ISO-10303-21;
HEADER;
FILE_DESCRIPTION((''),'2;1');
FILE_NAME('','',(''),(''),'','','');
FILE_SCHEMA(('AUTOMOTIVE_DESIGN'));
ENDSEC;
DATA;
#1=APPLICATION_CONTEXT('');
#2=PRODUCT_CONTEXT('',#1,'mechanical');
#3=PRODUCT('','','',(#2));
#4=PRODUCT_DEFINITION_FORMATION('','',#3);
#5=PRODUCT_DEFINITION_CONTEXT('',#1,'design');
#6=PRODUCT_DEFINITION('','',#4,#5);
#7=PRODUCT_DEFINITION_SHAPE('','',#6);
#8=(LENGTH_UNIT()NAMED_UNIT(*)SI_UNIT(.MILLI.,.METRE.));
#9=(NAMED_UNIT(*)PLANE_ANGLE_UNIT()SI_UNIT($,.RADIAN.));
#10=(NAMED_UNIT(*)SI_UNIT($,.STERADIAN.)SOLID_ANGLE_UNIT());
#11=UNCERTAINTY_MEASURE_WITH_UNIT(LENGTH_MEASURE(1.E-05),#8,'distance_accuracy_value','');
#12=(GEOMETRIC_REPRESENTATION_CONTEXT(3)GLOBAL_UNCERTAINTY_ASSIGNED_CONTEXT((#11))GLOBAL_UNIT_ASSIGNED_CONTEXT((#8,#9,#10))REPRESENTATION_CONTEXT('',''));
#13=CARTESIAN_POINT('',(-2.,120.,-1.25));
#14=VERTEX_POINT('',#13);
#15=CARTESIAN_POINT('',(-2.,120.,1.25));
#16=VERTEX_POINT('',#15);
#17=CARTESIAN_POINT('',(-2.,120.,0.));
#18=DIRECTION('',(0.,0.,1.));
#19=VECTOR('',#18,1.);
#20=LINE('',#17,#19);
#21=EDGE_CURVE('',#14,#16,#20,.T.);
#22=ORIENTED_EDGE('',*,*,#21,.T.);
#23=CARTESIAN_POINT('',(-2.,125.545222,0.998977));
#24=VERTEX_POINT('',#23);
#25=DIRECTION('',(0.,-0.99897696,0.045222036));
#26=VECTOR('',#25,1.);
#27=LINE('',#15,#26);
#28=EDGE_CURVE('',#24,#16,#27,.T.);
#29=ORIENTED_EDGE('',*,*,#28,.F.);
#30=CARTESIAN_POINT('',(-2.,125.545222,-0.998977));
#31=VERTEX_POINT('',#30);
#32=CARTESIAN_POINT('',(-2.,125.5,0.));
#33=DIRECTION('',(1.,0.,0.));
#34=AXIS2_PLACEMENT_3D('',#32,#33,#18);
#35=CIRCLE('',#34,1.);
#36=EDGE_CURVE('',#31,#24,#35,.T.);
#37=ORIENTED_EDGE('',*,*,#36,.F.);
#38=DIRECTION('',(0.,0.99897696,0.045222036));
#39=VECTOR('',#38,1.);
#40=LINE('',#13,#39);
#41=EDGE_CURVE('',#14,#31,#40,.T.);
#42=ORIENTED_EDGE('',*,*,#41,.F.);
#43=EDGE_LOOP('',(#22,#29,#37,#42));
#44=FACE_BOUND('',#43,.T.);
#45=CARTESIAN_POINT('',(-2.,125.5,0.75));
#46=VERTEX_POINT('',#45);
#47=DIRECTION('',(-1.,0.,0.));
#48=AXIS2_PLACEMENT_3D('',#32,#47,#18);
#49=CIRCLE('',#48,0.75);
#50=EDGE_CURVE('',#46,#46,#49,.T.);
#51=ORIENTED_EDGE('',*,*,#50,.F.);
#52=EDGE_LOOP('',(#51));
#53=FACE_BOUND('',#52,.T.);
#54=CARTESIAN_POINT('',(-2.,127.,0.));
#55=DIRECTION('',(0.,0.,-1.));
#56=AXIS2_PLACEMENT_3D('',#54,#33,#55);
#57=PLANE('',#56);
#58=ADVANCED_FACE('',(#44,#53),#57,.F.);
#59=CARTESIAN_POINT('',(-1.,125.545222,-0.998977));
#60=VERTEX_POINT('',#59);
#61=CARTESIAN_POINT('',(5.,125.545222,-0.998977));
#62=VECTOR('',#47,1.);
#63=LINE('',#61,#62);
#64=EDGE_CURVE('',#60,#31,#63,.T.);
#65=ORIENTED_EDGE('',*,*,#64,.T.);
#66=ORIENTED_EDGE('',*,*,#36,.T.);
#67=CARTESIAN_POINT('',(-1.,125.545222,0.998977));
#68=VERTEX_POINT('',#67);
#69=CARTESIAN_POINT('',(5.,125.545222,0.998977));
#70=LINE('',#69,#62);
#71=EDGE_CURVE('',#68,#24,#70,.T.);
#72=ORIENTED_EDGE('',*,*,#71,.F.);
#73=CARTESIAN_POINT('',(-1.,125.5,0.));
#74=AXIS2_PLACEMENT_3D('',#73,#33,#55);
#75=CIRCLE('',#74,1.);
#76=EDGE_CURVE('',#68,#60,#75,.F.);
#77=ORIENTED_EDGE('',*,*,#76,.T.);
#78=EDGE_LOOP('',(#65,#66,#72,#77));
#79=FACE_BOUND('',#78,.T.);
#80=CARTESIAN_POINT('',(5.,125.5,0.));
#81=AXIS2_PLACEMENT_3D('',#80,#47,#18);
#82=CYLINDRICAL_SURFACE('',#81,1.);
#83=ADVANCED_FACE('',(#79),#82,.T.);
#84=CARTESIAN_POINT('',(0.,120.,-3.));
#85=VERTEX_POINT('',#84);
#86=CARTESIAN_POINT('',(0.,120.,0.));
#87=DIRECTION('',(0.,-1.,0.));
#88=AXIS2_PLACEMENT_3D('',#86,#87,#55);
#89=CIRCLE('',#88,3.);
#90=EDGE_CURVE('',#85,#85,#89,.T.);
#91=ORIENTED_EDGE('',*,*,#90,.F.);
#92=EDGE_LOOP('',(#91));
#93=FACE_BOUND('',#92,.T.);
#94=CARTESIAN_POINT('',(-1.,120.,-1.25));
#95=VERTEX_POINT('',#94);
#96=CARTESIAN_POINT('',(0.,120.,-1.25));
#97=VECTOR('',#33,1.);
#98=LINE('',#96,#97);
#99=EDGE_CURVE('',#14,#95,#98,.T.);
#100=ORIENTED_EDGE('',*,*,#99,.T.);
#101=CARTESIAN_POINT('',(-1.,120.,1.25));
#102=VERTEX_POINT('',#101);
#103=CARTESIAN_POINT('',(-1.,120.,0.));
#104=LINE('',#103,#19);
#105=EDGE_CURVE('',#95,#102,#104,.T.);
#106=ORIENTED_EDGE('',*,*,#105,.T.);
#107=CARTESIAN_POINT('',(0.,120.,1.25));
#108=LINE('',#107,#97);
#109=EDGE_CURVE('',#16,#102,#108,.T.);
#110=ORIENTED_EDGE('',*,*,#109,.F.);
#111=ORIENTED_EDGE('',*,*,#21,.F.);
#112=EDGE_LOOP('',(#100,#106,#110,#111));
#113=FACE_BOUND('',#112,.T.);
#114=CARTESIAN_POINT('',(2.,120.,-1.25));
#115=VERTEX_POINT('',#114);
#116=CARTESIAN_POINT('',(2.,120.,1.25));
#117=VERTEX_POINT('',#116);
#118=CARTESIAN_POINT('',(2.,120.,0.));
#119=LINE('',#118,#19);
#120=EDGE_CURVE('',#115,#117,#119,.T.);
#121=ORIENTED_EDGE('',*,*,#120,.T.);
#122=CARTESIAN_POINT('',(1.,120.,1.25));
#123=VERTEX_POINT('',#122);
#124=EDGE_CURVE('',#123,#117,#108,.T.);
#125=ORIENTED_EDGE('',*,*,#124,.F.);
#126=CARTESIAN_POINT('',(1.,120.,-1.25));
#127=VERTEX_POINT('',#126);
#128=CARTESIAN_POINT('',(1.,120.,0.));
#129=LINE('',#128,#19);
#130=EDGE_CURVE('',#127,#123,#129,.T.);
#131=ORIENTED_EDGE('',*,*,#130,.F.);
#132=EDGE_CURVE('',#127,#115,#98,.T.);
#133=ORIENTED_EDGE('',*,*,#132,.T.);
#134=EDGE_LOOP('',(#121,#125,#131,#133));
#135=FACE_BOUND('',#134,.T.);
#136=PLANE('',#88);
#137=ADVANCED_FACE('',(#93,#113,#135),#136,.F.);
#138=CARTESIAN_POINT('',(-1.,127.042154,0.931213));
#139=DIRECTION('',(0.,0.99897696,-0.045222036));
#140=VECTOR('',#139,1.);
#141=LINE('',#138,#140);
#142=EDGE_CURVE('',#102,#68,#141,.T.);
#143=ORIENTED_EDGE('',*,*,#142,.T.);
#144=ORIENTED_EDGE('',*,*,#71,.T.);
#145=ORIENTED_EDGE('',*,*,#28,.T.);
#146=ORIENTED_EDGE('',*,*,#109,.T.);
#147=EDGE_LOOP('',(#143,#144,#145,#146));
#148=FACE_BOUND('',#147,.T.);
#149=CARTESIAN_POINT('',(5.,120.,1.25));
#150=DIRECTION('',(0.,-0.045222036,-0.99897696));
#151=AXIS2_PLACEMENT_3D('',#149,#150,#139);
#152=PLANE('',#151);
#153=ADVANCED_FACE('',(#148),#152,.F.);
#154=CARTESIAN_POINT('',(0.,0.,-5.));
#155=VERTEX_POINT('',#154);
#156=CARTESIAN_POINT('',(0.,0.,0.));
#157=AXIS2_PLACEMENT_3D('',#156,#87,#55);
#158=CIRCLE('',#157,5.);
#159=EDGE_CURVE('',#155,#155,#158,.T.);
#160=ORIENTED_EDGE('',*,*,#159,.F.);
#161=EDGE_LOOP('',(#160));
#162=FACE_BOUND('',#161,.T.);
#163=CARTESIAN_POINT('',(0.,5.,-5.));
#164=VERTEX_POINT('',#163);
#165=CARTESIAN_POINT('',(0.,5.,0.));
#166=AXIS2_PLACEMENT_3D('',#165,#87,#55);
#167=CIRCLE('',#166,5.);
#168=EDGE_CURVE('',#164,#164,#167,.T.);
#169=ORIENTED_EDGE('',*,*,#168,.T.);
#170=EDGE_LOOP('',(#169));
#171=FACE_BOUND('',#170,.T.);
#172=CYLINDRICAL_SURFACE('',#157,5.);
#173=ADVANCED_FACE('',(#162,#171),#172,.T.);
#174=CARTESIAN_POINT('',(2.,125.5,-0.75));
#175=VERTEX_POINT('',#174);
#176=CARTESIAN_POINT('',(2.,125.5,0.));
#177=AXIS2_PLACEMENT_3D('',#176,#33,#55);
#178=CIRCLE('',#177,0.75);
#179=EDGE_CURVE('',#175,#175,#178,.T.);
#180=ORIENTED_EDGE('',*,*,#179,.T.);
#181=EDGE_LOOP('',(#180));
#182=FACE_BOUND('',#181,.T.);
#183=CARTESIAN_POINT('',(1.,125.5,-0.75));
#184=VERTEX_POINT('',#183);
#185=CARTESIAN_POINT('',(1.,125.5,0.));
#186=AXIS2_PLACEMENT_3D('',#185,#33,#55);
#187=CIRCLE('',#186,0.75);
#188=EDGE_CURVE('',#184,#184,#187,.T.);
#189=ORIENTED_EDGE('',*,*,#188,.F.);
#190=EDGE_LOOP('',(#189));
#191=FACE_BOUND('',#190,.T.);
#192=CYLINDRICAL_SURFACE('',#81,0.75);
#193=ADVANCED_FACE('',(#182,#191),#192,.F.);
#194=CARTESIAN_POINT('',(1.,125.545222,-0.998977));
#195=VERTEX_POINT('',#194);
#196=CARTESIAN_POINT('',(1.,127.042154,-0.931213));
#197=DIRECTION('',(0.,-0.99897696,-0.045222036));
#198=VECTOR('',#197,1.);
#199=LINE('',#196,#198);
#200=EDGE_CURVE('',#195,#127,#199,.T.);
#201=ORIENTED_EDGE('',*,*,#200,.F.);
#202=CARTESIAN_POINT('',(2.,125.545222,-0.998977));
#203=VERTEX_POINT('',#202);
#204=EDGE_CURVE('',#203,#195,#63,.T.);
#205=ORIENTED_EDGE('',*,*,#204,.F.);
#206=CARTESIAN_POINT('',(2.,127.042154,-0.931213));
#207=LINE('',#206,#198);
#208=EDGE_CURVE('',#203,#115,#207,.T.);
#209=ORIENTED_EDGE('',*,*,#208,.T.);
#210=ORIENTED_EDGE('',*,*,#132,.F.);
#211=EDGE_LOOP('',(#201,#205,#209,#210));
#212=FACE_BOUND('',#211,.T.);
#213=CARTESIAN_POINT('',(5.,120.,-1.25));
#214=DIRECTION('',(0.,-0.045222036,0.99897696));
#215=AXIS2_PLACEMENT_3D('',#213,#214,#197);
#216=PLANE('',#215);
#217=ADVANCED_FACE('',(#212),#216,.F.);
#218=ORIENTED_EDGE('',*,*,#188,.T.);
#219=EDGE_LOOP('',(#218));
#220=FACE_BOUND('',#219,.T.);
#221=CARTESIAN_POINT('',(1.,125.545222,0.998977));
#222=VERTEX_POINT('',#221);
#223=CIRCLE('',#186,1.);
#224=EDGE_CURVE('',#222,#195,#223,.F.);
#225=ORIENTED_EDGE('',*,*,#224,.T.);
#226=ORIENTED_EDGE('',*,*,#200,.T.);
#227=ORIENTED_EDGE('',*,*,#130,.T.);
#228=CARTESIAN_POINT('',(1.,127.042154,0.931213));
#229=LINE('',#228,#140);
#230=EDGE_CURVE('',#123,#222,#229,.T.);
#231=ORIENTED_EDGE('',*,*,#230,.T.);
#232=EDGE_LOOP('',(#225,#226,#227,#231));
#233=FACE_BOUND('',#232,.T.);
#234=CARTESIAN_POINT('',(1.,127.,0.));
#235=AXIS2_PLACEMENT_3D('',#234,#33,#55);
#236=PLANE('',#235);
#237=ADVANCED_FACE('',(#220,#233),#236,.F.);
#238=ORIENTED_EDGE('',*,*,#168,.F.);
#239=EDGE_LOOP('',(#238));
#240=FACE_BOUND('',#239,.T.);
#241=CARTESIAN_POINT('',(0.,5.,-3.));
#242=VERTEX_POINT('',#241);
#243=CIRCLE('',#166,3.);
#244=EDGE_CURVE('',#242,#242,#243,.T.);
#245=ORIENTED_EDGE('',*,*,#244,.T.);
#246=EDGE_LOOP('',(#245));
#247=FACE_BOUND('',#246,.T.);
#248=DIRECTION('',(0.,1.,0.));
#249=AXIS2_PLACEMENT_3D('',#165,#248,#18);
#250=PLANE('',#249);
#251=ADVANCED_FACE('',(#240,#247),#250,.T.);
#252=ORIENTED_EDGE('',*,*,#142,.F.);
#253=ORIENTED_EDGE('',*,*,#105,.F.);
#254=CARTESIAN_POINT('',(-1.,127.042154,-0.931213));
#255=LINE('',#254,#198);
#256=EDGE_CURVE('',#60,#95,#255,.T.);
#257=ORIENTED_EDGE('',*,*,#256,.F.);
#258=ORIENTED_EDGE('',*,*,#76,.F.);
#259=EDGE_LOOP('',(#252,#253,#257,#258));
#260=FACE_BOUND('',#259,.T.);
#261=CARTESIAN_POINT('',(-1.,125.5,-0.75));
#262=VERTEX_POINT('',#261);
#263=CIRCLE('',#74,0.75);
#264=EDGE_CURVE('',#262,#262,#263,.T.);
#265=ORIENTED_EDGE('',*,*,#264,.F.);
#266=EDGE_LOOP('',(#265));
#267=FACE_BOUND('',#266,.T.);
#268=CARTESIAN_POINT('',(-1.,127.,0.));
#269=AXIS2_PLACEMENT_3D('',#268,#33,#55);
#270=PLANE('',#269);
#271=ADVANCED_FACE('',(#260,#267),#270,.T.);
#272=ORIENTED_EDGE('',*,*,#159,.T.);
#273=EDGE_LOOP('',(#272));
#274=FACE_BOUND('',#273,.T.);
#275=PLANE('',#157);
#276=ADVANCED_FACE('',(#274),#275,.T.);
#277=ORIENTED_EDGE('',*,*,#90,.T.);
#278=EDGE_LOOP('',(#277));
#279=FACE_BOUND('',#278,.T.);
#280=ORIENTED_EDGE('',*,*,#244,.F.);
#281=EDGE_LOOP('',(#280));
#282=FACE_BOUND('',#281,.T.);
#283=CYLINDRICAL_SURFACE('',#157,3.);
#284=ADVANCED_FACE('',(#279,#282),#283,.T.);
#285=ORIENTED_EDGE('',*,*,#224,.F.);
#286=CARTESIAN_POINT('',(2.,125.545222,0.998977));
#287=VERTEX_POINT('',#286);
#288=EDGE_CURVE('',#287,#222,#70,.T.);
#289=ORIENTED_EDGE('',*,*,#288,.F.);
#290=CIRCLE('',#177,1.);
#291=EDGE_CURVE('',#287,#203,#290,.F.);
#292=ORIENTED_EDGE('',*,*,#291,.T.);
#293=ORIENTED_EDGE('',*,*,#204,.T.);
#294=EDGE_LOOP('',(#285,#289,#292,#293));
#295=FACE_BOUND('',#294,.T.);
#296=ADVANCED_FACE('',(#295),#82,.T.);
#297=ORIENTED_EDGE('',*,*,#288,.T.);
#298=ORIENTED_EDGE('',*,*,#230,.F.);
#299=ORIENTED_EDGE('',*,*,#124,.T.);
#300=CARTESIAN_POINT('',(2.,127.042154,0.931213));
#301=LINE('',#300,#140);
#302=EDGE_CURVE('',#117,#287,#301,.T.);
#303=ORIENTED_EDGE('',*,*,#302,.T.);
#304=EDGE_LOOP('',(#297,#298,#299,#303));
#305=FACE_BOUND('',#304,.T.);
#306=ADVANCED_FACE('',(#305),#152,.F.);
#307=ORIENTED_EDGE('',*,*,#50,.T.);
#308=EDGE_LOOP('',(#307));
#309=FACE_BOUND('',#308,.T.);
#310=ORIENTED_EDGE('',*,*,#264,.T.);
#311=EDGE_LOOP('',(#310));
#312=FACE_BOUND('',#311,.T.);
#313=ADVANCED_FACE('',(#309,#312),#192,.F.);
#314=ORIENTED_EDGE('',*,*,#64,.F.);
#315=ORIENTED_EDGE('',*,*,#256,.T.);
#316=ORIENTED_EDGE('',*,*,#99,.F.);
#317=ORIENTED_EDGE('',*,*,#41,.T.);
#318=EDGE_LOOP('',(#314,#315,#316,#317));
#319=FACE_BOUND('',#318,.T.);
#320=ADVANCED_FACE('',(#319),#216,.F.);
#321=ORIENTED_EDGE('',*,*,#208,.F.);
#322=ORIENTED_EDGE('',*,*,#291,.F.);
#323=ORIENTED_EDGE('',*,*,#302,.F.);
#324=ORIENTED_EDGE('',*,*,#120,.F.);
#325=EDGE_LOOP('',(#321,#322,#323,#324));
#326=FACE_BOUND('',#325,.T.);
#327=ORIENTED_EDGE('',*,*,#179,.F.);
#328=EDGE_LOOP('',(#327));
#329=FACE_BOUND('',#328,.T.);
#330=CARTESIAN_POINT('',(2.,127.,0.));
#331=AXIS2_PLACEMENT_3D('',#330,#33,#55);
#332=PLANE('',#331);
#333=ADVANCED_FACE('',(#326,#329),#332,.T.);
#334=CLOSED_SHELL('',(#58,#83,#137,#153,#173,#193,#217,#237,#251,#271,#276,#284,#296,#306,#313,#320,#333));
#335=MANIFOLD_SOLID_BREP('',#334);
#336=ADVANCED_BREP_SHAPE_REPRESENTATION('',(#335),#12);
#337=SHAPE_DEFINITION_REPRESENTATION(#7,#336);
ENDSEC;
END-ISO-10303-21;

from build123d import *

# Parameters (mm, degrees)
SKETCH1_W           = 3
SKETCH1_H           = 10
SKETCH2_W           = 1
SKETCH2_H           = 2.5
BOSS_EXTRUDE2_DEPTH = 7
SKETCH3_R           = 0.75
CUT_EXTRUDE1_DEPTH  = 7


with BuildPart() as part:
    # Sketch1 → Revolve1 (revolve)
    with BuildSketch(Plane.XY, mode=Mode.PRIVATE) as revolve1_sk:
        Polygon((3, 110), (0, 110), (0, 0), (5, 0), (5, 5), (3, 5), align=None)
        with Locations((1.5, 115)):
            Rectangle(SKETCH1_W, SKETCH1_H)
    revolve(revolve1_sk.sketch.rotate(Axis((0, 0, 0), (0, 1, 0)), 90), axis=Axis((0, 0, 0), (0, 1, 0)))

    # Sketch2 → Boss-Extrude2 (add)
    with BuildSketch(Plane(origin=(0, 120, 0), x_dir=(1, 0, 0), z_dir=(0, 1, 0))):
        with Locations((-1.5, 0)):
            Rectangle(SKETCH2_W, SKETCH2_H)
        with Locations((1.5, 0)):
            Rectangle(SKETCH2_W, SKETCH2_H)
    extrude(amount=BOSS_EXTRUDE2_DEPTH)

    # Sketch3 → Cut-Extrude1 (cut)
    with BuildSketch(Plane.ZY.offset(2)):
        with Locations(Location((0, 125.5, 0), (0, 0, 180))):
            Circle(SKETCH3_R)
        with BuildLine():
            Line((1.25, 120), (0.99897696, 125.545222036))
            ThreePointArc((0.99897696, 125.545222036), (0, 126.5), (-0.99897696, 125.545222036))
            Line((-0.99897696, 125.545222036), (-1.25, 120))
            Line((-1.25, 120), (-1.25, 127))
            Line((-1.25, 127), (1.25, 127))
            Line((1.25, 127), (1.25, 120))
        make_face()
    extrude(amount=-CUT_EXTRUDE1_DEPTH, mode=Mode.SUBTRACT)


solid = part.part
